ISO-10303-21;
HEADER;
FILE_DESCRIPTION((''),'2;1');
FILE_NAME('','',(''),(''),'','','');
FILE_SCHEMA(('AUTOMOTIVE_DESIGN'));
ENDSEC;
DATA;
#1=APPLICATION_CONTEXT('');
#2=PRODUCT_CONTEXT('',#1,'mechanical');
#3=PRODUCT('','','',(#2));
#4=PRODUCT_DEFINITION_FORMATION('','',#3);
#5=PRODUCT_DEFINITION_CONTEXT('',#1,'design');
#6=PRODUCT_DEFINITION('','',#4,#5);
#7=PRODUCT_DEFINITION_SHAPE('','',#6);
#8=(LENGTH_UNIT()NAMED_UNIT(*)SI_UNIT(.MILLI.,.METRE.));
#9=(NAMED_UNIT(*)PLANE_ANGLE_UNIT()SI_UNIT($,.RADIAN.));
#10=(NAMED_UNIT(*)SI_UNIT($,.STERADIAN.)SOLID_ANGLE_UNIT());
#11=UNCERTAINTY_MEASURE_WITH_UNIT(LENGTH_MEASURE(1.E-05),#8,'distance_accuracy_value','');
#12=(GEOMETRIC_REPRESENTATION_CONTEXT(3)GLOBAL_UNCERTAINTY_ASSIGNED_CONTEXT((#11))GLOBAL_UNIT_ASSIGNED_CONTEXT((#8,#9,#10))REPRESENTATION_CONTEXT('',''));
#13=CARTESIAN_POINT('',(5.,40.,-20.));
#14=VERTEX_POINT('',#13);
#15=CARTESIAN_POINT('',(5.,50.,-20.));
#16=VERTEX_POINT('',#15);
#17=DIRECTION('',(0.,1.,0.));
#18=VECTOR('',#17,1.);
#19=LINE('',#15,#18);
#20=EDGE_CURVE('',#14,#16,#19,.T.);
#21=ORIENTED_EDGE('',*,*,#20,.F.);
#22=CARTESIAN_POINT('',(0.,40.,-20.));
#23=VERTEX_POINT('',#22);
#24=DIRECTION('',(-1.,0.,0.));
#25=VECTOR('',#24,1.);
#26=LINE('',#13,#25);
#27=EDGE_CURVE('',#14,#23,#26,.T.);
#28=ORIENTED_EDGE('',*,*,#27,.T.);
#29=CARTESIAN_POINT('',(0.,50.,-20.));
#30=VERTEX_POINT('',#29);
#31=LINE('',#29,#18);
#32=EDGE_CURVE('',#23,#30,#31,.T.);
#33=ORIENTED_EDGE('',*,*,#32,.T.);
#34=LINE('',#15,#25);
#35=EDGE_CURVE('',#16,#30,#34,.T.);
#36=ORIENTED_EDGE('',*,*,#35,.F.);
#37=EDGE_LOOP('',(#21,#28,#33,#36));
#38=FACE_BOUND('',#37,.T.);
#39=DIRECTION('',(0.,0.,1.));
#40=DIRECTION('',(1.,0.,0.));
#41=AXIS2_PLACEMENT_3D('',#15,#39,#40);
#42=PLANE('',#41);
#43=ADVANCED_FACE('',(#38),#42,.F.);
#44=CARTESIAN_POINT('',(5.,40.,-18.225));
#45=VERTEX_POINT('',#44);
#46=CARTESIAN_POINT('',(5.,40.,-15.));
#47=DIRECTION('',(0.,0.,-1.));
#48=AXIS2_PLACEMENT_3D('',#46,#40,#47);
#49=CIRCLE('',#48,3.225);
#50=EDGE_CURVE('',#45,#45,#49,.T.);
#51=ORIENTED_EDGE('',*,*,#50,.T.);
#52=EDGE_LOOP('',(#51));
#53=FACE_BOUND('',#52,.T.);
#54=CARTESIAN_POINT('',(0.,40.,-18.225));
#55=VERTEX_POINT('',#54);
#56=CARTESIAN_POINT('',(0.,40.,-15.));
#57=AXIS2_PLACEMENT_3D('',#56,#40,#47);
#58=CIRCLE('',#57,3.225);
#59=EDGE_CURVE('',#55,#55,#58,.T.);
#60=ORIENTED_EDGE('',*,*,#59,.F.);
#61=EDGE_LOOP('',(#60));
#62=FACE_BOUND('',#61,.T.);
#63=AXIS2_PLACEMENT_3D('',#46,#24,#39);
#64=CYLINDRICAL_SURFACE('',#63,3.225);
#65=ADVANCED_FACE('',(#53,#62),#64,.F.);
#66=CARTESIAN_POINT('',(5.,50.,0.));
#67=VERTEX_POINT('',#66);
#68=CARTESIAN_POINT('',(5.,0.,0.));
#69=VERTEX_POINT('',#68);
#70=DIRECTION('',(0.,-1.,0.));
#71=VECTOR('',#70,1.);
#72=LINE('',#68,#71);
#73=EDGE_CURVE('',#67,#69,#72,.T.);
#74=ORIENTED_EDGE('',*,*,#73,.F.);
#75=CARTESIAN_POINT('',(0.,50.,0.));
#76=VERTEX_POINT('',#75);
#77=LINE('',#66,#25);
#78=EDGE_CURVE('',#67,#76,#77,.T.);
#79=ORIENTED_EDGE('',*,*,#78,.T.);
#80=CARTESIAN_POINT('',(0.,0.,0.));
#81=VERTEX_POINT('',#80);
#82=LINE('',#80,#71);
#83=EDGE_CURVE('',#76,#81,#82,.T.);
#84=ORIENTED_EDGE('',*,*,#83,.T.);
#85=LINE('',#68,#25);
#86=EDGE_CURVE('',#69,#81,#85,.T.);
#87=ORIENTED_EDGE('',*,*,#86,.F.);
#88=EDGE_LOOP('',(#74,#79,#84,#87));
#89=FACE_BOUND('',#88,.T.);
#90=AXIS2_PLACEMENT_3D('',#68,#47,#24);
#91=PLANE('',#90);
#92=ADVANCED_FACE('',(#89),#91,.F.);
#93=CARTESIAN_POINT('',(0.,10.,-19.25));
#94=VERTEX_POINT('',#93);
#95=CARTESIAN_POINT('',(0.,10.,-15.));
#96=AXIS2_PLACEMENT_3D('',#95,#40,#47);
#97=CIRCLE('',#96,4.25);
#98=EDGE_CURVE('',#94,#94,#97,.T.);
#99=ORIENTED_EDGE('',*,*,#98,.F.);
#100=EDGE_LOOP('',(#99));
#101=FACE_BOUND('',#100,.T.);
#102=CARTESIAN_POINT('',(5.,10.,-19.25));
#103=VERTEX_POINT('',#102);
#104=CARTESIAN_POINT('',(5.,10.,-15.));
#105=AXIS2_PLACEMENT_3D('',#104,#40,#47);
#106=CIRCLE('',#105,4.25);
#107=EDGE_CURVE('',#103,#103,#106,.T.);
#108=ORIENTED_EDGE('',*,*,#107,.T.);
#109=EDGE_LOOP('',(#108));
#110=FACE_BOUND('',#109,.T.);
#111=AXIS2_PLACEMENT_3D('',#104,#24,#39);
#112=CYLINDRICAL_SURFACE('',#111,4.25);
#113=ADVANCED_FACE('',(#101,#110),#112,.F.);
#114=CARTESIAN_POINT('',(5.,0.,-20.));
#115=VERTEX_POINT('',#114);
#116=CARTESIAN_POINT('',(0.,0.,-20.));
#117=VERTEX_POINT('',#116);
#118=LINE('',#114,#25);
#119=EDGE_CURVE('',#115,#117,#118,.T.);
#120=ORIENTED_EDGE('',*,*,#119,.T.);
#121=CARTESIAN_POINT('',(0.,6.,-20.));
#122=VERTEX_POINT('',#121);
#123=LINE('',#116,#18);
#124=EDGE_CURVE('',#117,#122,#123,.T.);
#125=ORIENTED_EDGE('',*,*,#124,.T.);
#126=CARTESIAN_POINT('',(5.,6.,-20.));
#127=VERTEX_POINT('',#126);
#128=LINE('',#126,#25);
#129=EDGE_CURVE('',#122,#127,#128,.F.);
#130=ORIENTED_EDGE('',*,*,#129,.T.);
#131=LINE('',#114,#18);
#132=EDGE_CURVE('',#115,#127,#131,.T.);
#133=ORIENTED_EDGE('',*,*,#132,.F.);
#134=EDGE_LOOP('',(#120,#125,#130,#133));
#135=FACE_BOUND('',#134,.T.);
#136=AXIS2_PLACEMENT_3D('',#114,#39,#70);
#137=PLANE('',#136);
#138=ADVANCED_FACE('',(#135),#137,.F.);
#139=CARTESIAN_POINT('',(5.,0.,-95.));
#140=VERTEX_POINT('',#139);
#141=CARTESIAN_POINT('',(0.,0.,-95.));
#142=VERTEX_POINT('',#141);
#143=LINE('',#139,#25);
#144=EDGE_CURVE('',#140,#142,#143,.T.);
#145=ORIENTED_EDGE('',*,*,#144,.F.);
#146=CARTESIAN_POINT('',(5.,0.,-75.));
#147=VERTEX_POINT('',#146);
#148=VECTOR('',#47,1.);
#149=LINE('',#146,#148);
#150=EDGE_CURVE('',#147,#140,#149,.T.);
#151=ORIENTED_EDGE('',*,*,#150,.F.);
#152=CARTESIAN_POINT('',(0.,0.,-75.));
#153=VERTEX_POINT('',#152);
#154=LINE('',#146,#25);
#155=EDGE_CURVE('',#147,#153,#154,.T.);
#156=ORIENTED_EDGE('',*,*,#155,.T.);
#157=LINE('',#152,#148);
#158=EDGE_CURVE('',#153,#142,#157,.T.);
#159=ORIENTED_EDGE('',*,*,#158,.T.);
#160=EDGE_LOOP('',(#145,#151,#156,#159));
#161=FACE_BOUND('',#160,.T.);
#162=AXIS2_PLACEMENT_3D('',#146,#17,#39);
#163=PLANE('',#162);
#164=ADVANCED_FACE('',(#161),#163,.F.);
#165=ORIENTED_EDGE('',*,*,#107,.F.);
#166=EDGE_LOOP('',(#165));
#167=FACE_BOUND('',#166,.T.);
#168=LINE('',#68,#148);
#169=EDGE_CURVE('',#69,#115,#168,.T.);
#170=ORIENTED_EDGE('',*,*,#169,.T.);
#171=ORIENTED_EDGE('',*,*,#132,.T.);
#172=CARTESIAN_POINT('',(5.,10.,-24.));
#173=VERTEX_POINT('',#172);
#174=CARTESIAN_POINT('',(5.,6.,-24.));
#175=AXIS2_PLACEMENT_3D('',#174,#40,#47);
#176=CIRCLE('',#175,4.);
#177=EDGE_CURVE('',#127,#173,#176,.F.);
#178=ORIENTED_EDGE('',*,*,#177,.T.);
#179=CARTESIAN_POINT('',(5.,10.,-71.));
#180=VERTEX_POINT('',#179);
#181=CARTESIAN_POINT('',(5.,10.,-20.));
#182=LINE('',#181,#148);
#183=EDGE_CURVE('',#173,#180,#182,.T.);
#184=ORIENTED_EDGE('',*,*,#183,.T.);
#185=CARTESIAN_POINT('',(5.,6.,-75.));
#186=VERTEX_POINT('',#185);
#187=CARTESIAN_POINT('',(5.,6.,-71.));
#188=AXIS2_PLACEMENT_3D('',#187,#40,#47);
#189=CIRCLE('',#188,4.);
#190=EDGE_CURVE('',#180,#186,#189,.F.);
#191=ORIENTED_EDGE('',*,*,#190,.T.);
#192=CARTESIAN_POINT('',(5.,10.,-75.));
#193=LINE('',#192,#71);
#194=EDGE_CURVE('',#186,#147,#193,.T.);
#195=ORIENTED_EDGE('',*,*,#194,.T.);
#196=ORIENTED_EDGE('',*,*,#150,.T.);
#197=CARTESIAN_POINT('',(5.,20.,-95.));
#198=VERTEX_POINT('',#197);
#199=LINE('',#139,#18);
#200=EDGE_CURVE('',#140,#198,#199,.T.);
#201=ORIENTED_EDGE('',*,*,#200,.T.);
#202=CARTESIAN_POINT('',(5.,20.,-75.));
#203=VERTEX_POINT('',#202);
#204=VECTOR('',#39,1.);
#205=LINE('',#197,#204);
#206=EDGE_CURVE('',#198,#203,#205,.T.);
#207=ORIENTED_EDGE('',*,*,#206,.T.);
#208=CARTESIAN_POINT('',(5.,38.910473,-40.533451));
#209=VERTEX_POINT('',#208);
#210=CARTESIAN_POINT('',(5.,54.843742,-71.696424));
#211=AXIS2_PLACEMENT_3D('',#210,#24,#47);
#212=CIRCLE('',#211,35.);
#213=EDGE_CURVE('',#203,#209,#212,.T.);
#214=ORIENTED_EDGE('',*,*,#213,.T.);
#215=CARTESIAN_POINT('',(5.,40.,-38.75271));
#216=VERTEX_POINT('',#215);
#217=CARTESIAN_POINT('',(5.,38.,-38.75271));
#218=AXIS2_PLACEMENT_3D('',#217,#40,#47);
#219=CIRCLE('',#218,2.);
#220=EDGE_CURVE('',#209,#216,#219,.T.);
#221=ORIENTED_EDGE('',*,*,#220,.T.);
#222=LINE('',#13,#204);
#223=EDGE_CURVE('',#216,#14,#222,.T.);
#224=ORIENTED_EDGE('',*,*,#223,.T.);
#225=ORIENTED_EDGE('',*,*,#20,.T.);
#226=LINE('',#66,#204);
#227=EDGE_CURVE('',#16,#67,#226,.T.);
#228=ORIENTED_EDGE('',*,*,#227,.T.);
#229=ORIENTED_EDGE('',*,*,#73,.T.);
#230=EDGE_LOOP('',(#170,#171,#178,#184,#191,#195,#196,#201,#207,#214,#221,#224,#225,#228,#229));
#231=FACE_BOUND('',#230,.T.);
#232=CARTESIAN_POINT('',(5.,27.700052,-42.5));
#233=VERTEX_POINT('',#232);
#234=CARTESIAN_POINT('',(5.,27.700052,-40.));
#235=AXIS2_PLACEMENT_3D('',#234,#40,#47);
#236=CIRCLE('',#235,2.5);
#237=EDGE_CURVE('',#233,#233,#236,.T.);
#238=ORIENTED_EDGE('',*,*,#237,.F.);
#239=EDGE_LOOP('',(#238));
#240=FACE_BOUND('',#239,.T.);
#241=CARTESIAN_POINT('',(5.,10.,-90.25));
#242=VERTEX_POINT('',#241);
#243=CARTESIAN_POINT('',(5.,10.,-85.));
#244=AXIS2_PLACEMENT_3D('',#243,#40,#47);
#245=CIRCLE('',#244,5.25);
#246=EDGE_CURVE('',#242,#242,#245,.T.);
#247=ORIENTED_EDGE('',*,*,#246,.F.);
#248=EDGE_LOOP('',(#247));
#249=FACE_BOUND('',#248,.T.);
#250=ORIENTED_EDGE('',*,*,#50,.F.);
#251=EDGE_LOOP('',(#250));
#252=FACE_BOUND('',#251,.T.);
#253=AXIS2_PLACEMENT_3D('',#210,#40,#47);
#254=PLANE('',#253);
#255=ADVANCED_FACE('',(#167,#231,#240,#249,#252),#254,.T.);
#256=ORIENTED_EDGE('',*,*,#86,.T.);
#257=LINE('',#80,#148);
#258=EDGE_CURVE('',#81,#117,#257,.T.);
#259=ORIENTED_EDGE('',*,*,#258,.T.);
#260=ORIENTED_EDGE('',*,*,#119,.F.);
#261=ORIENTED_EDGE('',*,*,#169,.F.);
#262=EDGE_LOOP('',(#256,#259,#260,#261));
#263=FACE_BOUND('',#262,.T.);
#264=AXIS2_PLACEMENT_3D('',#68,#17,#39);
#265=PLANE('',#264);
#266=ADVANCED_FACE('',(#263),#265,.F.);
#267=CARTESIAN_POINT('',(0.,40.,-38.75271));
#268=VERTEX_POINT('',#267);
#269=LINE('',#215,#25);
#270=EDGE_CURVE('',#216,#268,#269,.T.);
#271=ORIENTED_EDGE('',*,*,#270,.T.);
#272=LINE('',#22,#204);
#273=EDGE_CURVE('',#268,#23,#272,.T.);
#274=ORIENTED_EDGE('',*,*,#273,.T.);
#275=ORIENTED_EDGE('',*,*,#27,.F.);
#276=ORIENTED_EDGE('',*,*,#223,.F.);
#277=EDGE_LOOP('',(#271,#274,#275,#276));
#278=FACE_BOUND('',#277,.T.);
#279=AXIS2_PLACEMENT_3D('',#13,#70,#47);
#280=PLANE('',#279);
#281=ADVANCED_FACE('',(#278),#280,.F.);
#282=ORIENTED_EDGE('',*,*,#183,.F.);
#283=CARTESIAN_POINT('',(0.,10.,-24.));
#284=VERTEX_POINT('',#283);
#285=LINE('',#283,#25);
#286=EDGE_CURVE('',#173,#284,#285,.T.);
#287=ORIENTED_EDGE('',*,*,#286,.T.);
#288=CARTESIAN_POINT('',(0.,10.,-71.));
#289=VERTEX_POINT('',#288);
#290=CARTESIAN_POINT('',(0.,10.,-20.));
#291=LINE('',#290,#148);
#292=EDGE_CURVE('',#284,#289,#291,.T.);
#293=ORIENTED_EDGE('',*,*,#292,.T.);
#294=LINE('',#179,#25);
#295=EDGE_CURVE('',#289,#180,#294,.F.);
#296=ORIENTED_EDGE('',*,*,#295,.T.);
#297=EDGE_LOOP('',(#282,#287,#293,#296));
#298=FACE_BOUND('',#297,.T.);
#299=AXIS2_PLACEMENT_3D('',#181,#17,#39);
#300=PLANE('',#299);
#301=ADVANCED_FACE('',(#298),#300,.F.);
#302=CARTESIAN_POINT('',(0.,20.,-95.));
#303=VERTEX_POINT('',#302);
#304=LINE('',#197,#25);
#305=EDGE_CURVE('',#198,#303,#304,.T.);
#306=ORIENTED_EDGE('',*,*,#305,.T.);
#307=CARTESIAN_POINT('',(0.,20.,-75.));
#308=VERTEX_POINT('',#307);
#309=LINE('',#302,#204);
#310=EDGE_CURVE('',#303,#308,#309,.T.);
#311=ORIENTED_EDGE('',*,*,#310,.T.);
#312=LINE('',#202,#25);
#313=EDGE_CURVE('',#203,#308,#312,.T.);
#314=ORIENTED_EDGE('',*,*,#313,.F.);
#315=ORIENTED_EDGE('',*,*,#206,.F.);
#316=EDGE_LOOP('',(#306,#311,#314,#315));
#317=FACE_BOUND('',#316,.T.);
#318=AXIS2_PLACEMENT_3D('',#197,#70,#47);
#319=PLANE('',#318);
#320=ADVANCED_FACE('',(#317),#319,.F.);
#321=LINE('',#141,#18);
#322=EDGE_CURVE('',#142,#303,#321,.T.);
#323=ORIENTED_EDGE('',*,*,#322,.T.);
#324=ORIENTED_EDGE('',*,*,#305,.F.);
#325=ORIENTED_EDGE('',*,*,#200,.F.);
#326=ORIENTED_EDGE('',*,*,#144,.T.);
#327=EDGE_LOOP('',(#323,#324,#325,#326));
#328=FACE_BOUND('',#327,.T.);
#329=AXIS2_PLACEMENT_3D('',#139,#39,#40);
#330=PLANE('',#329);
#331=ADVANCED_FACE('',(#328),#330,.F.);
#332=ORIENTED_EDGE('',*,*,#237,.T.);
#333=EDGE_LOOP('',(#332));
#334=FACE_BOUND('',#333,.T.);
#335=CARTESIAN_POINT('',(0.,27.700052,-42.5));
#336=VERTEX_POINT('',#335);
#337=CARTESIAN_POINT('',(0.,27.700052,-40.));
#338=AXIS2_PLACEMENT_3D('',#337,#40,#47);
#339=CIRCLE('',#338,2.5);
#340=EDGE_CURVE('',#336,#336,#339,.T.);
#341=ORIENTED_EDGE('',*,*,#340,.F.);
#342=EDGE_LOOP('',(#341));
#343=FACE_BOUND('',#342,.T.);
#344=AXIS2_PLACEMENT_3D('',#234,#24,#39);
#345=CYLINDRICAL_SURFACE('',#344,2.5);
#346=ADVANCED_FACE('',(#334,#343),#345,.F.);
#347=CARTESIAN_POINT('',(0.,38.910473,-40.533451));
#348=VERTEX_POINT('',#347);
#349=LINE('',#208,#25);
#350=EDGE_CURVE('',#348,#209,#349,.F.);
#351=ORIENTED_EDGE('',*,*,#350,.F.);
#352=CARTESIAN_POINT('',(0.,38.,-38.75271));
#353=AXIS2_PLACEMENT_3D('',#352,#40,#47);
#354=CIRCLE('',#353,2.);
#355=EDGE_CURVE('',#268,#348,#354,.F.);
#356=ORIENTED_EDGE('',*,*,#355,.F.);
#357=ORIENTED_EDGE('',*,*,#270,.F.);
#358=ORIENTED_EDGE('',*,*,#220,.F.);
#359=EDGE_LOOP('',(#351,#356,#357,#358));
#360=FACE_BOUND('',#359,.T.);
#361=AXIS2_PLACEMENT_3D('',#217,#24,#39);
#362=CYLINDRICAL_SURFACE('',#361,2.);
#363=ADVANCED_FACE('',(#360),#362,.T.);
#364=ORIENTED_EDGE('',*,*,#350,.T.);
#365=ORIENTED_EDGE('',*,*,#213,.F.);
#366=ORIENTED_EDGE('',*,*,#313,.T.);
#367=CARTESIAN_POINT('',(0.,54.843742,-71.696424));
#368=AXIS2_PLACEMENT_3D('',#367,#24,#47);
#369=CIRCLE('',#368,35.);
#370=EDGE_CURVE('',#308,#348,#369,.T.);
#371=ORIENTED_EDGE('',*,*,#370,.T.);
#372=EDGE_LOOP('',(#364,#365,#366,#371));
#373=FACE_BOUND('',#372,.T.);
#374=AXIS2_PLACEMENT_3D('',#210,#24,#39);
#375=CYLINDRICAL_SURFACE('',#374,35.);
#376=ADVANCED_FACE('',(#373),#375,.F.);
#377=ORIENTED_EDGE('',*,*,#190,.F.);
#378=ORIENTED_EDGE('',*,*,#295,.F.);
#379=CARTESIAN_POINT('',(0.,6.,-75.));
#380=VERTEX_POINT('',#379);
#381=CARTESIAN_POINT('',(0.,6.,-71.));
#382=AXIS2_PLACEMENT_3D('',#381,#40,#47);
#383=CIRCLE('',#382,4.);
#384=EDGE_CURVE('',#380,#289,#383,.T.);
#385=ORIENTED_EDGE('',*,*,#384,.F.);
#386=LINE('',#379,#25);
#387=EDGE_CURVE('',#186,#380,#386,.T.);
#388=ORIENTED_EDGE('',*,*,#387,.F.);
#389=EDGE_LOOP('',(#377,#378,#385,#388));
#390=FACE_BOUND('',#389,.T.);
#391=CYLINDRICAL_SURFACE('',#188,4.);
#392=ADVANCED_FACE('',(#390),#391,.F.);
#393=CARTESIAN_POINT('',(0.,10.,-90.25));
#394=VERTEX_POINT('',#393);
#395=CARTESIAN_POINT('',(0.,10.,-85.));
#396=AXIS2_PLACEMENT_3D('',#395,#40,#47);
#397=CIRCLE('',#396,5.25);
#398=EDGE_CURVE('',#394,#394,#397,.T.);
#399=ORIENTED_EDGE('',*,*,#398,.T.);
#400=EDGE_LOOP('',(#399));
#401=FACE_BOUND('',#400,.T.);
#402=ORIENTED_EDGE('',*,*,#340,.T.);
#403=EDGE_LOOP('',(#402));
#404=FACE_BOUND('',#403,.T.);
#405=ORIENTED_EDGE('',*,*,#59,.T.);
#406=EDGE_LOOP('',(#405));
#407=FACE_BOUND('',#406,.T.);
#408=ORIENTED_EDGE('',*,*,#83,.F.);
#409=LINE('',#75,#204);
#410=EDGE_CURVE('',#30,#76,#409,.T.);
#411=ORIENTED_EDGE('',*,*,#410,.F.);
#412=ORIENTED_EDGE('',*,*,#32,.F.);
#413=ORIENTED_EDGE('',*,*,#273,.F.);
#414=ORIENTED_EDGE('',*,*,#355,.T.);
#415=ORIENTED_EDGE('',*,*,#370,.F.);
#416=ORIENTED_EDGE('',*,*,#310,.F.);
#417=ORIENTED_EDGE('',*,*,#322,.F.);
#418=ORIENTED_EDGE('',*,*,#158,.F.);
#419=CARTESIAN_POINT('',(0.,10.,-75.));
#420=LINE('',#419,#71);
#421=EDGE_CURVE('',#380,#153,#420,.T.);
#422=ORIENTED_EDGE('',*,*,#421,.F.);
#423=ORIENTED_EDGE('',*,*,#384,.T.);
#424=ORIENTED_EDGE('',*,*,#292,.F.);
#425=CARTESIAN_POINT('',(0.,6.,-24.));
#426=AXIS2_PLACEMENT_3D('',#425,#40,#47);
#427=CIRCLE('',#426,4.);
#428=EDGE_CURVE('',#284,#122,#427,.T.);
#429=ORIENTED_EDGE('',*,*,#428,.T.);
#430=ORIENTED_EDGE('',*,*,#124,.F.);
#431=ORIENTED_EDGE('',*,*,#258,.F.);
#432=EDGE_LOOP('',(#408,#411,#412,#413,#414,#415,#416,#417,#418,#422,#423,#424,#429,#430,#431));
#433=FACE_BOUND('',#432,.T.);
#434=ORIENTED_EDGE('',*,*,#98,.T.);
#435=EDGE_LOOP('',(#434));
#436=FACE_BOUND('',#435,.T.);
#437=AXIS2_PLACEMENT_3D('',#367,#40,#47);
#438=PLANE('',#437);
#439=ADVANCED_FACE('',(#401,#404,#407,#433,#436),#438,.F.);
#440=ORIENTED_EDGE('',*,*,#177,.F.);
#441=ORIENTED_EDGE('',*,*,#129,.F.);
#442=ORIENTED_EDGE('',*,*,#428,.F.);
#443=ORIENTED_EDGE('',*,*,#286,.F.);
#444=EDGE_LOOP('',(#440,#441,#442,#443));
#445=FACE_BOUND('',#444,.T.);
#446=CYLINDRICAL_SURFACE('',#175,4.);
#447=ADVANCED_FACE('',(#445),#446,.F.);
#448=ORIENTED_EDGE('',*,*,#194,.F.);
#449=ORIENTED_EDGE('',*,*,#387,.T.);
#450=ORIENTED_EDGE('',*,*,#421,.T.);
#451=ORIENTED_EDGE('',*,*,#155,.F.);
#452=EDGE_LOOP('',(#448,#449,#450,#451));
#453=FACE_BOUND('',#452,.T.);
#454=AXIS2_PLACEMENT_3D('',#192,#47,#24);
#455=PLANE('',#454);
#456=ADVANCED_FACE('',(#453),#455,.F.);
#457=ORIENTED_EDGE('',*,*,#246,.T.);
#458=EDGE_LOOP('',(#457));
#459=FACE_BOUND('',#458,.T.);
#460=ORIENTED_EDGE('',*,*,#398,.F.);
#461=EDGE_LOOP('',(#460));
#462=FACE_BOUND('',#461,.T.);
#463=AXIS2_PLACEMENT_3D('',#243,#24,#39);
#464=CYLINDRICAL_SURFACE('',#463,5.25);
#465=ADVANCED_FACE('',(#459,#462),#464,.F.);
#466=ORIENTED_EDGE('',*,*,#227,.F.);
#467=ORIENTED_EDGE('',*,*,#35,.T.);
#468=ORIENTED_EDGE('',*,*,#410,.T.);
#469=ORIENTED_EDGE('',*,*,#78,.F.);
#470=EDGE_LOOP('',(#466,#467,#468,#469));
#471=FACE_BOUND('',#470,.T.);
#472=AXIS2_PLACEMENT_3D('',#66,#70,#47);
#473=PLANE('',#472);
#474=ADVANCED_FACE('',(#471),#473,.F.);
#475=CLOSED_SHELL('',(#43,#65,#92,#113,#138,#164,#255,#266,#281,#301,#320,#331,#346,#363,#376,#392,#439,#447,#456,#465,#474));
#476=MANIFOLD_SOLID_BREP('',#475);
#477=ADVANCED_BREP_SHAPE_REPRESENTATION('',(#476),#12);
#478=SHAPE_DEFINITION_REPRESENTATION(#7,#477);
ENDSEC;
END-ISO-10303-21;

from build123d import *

# Parameters (mm, degrees)
SKETCH7_R           = 3.225
SKETCH7_R_2         = 4.25
SKETCH7_R_3         = 2.5
SKETCH7_R_4         = 5.25
BOSS_EXTRUDE5_DEPTH = 5
FILLET1_R           = 4
FILLET2_R           = 2


with BuildPart() as part:
    # Sketch7 → Boss-Extrude5 (new body)
    with BuildSketch(Plane(origin=(0, 0, 0), x_dir=(0, 0, -1), z_dir=(1, 0, 0))):
        with BuildLine():
            Line((0, 0), (20, 0))
            Line((20, 0), (20, 10))
            Line((20, 10), (75, 10))
            Line((75, 10), (75, 0))
            Line((75, 0), (95, 0))
            Line((95, 0), (95, 20))
            Line((95, 20), (75, 20))
            ThreePointArc((75, 20), (54.331561409, 24.455232466), (40, 40))
            Line((40, 40), (20, 40))
            Line((20, 40), (20, 50))
            Line((20, 50), (0, 50))
            Line((0, 50), (0, 0))
        make_face()
        with Locations((15, 40)):
            Circle(SKETCH7_R, mode=Mode.SUBTRACT)
        with Locations((15, 10)):
            Circle(SKETCH7_R_2, mode=Mode.SUBTRACT)
        with Locations((40, 27.700051953)):
            Circle(SKETCH7_R_3, mode=Mode.SUBTRACT)
        with Locations((85, 10)):
            Circle(SKETCH7_R_4, mode=Mode.SUBTRACT)
    extrude(amount=BOSS_EXTRUDE5_DEPTH)

    # Fillet1
    fillet1_edges = [part.edges().sort_by_distance(p)[0] for p in [
        (2.5, 10, -75),
        (2.5, 10, -20),
    ]]
    fillet(fillet1_edges, radius=FILLET1_R)

    # Fillet2
    fillet2_edges = [part.edges().sort_by_distance(p)[0] for p in [
        (2.5, 40, -40),
    ]]
    fillet(fillet2_edges, radius=FILLET2_R)


solid = part.part
